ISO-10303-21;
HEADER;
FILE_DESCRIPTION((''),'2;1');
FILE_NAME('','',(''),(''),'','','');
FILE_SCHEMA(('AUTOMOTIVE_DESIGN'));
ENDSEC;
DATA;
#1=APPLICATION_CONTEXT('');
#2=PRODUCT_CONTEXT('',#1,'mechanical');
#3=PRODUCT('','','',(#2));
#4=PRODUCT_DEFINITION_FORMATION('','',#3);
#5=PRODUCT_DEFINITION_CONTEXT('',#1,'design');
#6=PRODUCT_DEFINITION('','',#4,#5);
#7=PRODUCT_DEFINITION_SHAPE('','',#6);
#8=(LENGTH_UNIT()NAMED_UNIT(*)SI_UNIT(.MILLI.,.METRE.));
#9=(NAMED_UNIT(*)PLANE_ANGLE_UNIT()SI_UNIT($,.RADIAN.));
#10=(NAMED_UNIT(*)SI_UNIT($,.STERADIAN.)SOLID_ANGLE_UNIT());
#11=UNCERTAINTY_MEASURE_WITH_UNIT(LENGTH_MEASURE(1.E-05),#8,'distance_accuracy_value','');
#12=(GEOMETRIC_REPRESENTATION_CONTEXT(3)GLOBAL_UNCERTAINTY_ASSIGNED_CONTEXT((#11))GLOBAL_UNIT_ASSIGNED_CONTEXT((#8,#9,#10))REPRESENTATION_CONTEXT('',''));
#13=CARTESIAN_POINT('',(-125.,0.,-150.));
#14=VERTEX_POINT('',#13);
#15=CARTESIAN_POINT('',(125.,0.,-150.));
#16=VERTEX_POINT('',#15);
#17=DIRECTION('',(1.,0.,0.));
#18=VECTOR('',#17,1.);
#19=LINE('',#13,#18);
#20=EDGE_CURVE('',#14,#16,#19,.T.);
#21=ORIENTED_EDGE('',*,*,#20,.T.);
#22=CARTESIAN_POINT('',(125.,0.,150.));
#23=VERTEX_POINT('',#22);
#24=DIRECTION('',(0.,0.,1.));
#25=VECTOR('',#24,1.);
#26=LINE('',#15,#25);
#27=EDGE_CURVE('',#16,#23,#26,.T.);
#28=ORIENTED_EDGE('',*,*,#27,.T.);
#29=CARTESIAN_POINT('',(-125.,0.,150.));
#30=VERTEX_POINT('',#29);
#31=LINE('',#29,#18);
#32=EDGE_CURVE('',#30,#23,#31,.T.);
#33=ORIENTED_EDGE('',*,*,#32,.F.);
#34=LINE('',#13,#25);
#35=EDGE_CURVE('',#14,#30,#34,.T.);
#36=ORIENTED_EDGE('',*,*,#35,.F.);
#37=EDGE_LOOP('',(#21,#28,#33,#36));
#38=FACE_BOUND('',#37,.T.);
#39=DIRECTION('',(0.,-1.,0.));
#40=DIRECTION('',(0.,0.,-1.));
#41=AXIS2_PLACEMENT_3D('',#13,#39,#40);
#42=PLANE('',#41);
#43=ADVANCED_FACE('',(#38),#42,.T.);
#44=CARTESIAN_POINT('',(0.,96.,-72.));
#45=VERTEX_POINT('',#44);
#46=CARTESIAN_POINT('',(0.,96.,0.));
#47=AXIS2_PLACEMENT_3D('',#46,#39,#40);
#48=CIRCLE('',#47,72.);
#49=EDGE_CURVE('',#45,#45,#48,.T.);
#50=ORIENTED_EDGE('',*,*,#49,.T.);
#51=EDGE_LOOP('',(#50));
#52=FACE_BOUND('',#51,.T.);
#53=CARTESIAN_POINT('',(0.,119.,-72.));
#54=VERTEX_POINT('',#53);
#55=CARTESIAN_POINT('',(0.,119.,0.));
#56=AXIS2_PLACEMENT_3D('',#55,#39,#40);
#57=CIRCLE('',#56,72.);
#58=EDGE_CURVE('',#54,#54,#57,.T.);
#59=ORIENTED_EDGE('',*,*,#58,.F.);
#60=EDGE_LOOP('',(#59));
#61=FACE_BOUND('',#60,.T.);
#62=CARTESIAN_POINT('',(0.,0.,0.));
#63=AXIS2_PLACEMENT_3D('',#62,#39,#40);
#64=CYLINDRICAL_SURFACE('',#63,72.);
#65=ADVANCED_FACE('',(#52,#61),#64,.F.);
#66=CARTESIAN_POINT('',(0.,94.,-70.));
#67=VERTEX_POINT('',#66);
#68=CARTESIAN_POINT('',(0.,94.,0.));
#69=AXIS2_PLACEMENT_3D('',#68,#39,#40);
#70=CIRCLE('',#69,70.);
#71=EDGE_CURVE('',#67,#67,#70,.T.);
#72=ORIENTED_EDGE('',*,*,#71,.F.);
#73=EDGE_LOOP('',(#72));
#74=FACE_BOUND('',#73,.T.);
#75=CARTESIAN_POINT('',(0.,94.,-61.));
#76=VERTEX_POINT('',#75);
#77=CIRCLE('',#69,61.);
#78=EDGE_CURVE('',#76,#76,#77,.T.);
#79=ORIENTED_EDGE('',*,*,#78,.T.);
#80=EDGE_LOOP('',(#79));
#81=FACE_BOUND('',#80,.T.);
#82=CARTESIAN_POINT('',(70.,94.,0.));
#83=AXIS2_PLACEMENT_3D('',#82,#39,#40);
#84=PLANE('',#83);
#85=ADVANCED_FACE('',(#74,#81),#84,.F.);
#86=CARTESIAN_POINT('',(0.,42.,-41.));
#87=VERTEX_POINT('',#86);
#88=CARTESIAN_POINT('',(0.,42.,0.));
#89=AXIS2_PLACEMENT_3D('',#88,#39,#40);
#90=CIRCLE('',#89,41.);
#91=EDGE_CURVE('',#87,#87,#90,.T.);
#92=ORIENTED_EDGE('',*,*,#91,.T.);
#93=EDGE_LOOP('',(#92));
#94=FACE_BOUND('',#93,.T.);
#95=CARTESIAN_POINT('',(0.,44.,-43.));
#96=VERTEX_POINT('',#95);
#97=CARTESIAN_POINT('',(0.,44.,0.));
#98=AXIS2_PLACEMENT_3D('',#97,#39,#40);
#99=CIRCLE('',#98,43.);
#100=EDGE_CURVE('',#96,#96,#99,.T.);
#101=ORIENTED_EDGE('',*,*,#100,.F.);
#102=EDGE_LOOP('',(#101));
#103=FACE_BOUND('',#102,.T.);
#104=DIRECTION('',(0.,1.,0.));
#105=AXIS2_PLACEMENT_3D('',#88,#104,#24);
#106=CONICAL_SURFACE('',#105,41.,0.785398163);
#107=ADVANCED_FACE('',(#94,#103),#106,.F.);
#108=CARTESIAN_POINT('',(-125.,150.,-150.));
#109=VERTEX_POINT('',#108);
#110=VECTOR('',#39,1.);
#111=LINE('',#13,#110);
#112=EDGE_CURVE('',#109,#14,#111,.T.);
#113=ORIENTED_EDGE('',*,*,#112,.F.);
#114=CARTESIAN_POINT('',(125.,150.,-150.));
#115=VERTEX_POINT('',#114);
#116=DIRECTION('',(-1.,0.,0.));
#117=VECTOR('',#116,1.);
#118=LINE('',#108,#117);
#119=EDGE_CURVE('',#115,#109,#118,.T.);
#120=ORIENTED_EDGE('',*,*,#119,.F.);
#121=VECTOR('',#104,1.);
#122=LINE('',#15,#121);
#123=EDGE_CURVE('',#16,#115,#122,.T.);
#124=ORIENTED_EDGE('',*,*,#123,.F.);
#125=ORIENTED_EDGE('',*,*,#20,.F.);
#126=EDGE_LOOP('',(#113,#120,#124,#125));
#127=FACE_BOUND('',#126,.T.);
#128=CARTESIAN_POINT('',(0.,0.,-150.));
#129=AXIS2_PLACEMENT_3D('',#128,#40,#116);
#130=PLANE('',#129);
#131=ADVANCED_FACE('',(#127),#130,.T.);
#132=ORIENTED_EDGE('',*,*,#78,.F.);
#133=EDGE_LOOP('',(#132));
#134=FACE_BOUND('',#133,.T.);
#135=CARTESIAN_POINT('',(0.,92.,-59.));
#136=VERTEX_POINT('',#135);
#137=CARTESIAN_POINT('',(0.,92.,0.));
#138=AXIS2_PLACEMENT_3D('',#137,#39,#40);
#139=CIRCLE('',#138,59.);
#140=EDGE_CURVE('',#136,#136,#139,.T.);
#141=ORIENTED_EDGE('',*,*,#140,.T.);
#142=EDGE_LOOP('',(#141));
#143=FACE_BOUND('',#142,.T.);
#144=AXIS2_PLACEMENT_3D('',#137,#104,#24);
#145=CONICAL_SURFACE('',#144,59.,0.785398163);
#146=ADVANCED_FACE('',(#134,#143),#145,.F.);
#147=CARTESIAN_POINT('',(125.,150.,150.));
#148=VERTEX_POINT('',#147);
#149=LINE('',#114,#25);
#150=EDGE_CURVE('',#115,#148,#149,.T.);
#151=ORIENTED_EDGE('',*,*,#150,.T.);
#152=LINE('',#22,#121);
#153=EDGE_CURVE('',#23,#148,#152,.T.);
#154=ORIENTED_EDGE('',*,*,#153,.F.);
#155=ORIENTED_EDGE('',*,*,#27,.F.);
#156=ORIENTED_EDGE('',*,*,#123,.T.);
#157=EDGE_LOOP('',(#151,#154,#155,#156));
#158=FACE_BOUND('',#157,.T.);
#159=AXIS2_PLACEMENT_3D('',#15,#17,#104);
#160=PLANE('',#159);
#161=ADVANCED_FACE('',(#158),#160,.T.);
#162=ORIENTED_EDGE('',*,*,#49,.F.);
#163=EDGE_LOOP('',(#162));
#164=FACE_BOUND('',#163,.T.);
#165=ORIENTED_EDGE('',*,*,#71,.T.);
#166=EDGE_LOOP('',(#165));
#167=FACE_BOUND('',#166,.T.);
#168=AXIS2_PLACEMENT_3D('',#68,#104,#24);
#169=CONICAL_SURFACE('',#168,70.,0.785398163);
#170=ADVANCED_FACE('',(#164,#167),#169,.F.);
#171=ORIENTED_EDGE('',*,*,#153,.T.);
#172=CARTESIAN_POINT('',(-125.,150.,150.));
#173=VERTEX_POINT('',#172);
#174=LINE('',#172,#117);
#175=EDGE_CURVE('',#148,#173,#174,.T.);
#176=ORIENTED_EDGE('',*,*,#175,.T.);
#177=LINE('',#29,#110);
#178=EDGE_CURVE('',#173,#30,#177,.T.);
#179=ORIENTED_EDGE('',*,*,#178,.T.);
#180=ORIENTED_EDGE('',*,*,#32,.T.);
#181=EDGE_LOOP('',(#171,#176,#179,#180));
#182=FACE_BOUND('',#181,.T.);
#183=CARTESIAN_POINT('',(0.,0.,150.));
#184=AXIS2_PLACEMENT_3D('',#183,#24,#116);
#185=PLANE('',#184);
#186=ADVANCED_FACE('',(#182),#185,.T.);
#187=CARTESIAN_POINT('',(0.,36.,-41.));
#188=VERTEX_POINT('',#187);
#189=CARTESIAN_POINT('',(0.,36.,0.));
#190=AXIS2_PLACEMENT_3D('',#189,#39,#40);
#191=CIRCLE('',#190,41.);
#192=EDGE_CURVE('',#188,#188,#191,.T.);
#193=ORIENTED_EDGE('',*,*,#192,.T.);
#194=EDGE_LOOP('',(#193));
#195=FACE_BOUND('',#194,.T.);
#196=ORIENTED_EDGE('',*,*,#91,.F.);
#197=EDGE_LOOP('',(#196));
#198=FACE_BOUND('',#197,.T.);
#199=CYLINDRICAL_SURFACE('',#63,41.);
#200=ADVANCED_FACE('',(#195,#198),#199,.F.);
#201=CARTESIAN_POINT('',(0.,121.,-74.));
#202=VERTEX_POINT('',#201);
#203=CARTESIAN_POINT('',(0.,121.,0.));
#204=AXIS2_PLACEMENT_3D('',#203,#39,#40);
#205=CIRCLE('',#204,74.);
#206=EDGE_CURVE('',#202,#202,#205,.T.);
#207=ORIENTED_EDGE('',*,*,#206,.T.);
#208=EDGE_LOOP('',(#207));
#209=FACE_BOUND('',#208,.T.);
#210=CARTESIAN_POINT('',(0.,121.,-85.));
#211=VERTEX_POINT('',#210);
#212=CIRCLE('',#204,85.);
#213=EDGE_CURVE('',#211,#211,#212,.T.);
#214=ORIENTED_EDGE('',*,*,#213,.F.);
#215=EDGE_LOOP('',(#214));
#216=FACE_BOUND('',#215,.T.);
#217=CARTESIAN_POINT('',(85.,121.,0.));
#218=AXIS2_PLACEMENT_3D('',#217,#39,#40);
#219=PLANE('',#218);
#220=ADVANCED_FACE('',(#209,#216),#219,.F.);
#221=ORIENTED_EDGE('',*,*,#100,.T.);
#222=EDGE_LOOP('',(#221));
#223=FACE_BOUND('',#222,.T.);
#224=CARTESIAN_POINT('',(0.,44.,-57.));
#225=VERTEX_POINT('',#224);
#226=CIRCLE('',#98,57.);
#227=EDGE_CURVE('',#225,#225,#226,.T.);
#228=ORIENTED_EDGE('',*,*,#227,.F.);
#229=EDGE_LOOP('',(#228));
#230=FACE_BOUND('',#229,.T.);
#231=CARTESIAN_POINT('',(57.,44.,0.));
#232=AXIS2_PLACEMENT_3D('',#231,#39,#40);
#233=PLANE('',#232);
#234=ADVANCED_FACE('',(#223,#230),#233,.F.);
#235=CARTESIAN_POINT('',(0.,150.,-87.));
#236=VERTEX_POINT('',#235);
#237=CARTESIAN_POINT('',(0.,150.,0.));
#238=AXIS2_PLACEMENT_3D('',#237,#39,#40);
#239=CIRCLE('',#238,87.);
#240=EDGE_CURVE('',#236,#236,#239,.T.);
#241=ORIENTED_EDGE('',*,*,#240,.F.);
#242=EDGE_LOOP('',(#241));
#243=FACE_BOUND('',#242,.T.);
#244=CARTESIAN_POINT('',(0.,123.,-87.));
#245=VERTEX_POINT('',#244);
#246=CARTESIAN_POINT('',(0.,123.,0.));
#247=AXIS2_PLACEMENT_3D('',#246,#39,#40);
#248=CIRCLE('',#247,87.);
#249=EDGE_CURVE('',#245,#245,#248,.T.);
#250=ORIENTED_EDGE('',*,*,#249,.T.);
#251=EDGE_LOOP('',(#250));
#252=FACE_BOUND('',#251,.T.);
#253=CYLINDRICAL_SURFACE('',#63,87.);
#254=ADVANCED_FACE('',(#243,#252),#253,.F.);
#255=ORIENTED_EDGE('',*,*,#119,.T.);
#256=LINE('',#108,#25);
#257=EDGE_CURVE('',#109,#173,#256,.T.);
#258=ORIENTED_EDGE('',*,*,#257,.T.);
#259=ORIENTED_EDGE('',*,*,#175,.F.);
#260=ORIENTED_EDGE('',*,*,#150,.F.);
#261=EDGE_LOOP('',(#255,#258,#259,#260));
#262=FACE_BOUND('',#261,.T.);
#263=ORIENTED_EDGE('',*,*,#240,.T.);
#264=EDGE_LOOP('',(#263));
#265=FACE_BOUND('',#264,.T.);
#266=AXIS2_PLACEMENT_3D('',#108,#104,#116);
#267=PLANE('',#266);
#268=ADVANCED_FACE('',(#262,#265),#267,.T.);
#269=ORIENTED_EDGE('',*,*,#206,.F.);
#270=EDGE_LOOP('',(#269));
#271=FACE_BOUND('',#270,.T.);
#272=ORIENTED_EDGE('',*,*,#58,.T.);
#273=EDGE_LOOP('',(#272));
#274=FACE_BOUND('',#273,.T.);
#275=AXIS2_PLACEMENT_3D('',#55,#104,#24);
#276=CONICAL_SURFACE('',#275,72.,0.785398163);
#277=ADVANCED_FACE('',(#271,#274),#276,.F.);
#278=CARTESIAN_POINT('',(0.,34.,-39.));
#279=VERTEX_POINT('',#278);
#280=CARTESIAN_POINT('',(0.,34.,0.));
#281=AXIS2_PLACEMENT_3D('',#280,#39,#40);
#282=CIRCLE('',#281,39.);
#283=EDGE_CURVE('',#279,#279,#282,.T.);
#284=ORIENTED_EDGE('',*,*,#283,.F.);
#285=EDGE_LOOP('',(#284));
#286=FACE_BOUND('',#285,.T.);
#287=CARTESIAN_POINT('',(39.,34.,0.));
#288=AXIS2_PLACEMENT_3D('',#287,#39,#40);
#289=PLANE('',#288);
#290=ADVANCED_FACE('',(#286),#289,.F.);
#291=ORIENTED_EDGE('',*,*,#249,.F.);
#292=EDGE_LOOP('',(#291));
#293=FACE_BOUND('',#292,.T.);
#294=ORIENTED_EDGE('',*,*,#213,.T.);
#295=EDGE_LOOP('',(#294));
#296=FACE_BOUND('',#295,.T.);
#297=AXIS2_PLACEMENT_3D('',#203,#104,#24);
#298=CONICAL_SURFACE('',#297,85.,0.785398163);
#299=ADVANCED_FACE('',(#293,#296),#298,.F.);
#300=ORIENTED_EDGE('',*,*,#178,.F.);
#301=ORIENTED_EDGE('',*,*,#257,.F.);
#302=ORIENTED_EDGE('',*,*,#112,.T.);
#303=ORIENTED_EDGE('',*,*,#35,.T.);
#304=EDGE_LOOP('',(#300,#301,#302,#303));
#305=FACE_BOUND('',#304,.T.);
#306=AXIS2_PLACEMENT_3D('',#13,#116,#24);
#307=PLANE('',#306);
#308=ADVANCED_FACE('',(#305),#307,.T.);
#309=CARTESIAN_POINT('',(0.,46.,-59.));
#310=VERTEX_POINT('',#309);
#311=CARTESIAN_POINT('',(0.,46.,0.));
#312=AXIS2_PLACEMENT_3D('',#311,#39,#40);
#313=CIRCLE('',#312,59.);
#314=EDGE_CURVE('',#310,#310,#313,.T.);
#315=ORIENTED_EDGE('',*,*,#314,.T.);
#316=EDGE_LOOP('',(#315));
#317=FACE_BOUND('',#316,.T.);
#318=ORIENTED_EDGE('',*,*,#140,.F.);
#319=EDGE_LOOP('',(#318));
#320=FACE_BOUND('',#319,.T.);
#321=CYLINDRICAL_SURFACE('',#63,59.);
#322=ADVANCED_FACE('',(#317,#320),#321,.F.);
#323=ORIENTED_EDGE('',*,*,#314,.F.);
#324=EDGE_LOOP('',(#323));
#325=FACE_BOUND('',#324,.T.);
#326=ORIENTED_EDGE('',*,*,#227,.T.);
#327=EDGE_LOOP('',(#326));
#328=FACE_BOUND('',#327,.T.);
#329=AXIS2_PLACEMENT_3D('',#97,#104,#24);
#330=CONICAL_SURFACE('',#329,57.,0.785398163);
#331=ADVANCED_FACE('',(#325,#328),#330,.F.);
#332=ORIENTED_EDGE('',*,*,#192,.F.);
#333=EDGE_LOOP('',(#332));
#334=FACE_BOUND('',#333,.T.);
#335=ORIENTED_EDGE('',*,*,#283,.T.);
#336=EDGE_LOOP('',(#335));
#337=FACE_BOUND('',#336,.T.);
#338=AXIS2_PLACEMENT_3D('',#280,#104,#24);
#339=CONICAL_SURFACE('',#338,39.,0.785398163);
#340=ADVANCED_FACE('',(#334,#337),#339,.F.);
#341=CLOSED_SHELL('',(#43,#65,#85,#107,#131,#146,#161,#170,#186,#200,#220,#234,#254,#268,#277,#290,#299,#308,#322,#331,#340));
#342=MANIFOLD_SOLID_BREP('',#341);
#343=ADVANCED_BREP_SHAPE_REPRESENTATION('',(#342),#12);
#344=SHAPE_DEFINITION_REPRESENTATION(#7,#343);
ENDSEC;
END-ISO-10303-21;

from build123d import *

# Parameters (mm, degrees)
SKETCH1_W           = 250
SKETCH1_H           = 150
BOSS_EXTRUDE1_DEPTH = 150


with BuildPart() as part:
    # Sketch1 → Boss-Extrude1 (new body)
    with BuildSketch(Plane.XY):
        with Locations((0, 75)):
            Rectangle(SKETCH1_W, SKETCH1_H)
    boss_extrude1 = extrude(amount=-BOSS_EXTRUDE1_DEPTH)

    # Sketch2 → Cut-Revolve1 (revolve, cut)
    with BuildSketch(Plane.XY):
        Polygon((0, 150), (87, 150), (87, 123), (85, 121), (74, 121), (72, 119), (72, 96), (70, 94), (61, 94), (59, 92), (59, 46), (57, 44), (43, 44), (41, 42), (41, 36), (39, 34), (0, 34), align=None)
    cut_revolve1 = revolve(axis=Axis((0, 0, 0), (0, 1, 0)), mode=Mode.SUBTRACT)

    # Mirror1: Boss-Extrude1, Cut-Revolve1 across plane
    add(boss_extrude1.mirror(Plane(origin=(0, 0, 0), x_dir=(1, 0, 0), z_dir=(0, 0, -1))))
    add(cut_revolve1.mirror(Plane(origin=(0, 0, 0), x_dir=(1, 0, 0), z_dir=(0, 0, -1))), mode=Mode.SUBTRACT)


solid = part.part
